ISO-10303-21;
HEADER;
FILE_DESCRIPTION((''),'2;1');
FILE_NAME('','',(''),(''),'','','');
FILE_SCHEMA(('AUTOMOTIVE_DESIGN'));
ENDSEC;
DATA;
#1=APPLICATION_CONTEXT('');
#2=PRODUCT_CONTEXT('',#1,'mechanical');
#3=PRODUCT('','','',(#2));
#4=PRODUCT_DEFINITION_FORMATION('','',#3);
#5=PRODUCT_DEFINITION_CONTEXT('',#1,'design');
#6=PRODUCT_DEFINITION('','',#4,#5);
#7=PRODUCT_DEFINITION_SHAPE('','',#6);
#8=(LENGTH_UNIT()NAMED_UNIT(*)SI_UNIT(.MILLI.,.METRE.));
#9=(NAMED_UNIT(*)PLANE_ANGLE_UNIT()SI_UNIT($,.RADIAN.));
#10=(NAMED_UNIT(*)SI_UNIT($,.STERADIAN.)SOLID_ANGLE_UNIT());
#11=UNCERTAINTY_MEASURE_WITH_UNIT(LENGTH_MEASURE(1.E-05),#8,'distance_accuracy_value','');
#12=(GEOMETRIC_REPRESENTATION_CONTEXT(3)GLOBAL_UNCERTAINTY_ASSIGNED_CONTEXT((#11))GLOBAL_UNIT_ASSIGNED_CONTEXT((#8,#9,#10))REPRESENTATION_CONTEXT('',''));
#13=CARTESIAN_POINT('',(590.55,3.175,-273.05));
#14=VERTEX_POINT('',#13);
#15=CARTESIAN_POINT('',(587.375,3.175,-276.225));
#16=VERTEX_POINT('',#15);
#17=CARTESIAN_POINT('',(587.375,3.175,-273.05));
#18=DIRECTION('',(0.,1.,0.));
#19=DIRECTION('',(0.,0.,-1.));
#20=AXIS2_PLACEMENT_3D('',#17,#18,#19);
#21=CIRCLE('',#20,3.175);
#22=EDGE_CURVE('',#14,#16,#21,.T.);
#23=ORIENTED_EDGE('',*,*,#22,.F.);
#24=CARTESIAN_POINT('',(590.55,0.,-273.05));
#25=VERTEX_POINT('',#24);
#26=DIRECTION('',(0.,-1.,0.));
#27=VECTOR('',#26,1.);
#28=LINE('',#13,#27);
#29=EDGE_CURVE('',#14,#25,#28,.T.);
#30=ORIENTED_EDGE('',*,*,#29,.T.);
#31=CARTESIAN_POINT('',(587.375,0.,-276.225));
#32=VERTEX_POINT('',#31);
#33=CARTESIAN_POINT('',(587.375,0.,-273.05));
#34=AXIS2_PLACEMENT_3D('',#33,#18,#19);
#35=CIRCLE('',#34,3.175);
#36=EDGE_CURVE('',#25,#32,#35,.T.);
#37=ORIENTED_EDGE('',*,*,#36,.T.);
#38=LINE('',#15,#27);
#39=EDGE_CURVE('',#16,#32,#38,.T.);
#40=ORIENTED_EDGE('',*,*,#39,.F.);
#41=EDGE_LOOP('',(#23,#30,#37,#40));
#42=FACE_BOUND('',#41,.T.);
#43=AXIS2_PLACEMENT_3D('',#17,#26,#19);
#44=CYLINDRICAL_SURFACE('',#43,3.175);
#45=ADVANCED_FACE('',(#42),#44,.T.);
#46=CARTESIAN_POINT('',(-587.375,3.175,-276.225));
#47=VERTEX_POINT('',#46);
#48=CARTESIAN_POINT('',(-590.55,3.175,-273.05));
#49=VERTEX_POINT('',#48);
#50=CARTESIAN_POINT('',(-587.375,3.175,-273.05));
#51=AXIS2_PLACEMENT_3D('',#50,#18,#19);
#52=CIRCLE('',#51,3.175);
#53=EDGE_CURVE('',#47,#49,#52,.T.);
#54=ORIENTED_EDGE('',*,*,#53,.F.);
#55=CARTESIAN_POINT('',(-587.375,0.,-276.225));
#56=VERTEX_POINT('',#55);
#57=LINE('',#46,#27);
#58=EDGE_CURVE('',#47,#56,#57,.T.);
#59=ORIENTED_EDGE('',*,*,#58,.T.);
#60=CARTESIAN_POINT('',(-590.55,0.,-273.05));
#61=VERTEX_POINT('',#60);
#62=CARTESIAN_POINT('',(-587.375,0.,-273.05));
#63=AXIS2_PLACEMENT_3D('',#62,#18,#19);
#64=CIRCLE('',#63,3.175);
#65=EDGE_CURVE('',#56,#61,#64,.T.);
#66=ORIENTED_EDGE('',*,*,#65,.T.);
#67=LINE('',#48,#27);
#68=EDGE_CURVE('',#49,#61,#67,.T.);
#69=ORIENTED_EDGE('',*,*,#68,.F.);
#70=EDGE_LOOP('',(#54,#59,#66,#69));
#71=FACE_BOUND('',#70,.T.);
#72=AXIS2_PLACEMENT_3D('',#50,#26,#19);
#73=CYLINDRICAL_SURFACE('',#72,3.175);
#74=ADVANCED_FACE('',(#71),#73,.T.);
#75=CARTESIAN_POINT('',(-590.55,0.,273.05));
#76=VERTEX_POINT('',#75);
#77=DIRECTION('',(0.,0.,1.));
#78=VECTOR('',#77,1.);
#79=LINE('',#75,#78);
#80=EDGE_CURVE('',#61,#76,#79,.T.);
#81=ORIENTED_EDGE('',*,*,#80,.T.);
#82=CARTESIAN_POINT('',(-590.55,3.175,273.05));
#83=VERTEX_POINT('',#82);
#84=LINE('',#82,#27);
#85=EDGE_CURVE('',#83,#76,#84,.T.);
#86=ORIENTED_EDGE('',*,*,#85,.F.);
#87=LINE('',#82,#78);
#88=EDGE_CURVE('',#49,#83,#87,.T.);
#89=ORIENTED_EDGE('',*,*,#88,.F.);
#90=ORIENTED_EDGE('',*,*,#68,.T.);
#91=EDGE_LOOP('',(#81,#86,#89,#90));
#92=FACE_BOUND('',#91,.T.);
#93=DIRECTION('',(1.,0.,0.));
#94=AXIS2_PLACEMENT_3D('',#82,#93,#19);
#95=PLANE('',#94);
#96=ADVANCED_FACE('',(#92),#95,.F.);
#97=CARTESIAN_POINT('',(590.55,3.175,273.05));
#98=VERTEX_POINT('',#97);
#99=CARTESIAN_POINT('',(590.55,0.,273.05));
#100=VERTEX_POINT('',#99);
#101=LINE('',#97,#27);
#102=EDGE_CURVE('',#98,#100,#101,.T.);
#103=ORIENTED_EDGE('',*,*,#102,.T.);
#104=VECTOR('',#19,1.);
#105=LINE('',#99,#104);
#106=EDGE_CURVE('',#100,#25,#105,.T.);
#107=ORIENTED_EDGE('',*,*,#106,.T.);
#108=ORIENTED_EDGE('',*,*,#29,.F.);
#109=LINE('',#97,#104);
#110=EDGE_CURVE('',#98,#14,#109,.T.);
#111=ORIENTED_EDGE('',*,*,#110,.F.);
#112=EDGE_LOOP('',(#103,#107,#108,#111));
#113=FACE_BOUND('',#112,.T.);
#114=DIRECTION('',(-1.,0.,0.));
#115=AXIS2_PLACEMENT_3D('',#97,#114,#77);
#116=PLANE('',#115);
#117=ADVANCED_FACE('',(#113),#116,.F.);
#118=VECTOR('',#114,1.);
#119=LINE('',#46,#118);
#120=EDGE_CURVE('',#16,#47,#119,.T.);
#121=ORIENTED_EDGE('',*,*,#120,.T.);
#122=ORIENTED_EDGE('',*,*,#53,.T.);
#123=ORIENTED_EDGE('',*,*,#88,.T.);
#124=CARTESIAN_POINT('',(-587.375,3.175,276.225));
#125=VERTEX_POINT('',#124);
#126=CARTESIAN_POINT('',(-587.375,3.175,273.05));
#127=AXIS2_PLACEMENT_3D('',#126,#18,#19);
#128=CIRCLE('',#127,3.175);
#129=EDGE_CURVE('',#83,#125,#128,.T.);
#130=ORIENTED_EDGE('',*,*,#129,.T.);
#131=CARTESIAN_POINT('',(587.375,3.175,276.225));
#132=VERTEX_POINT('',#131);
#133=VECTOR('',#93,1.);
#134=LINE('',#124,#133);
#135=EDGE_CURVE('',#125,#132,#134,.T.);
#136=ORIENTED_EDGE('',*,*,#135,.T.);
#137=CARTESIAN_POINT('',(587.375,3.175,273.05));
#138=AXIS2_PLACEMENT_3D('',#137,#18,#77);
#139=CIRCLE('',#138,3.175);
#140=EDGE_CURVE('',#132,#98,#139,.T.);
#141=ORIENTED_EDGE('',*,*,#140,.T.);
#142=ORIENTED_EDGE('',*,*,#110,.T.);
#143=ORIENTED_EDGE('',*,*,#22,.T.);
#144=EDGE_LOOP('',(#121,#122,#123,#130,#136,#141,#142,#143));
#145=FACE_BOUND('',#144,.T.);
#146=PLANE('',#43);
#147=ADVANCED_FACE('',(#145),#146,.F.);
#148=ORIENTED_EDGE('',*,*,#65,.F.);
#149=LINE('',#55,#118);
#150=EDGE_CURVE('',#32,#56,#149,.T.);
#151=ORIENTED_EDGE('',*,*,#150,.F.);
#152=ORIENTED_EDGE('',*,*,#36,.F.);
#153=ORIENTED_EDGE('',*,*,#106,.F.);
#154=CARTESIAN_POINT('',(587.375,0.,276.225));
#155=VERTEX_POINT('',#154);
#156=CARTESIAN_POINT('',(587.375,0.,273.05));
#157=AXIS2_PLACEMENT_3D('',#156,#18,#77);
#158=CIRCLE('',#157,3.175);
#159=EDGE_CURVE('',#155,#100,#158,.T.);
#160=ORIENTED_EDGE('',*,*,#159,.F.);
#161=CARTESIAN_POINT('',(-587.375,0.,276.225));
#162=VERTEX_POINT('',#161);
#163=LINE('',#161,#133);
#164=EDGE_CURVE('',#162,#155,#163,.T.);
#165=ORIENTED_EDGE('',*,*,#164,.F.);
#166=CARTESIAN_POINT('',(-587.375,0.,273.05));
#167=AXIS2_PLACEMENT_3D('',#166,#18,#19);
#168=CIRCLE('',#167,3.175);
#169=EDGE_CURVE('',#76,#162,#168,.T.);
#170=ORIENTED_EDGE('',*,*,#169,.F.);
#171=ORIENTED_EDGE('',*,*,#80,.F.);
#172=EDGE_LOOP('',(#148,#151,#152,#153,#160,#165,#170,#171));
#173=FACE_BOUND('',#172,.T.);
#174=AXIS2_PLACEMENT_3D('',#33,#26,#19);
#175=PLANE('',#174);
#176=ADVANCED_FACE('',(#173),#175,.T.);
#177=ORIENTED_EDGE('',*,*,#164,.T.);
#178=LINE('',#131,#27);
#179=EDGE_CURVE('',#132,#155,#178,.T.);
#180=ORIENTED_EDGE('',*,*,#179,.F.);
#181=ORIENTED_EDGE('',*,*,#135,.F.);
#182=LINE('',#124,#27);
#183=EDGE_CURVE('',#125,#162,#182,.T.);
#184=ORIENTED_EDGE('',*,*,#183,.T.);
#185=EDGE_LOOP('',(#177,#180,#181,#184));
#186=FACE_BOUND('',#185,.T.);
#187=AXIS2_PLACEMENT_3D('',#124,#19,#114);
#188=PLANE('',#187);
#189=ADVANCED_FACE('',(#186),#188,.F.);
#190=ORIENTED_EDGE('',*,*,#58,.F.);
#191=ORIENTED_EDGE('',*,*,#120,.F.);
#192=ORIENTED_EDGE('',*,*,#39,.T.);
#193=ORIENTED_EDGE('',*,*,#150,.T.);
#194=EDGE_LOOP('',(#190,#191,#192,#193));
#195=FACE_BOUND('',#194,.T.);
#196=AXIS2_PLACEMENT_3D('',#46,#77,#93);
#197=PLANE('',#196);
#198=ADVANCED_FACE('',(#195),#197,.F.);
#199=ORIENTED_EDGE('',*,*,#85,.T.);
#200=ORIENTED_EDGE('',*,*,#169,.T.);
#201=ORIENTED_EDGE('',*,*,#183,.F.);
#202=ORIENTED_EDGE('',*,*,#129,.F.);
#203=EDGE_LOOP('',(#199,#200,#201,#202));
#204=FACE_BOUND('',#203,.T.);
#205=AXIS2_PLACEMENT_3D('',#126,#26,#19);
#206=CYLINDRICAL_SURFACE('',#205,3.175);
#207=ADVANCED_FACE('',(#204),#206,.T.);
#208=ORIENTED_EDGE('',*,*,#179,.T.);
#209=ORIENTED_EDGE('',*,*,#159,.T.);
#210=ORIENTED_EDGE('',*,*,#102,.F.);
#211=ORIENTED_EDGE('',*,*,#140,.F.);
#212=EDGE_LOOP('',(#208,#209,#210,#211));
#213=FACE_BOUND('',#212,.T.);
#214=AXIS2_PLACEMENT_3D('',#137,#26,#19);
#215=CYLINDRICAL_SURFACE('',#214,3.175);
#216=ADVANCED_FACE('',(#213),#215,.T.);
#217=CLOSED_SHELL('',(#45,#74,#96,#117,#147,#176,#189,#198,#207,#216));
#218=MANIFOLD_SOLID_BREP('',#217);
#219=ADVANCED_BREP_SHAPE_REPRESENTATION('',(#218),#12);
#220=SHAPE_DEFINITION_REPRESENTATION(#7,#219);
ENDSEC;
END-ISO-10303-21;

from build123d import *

# Parameters (mm, degrees)
BOSS_EXTRUDE1_DEPTH = 3.175


with BuildPart() as part:
    # Sketch1 → Boss-Extrude1 (new body)
    with BuildSketch(Plane(origin=(0, 0, 0), x_dir=(1, 0, 0), z_dir=(0, 1, 0))):
        with BuildLine():
            Line((-587.375, -276.225), (587.375, -276.225))
            ThreePointArc((587.375, -276.225), (589.62006403, -275.29506403), (590.55, -273.05))
            Line((590.55, -273.05), (590.55, 273.05))
            ThreePointArc((590.55, 273.05), (589.62006403, 275.29506403), (587.375, 276.225))
            Line((587.375, 276.225), (-587.375, 276.225))
            ThreePointArc((-587.375, 276.225), (-589.62006403, 275.29506403), (-590.55, 273.05))
            Line((-590.55, 273.05), (-590.55, -273.05))
            ThreePointArc((-590.55, -273.05), (-589.62006403, -275.29506403), (-587.375, -276.225))
        make_face()
    extrude(amount=BOSS_EXTRUDE1_DEPTH)


solid = part.part
